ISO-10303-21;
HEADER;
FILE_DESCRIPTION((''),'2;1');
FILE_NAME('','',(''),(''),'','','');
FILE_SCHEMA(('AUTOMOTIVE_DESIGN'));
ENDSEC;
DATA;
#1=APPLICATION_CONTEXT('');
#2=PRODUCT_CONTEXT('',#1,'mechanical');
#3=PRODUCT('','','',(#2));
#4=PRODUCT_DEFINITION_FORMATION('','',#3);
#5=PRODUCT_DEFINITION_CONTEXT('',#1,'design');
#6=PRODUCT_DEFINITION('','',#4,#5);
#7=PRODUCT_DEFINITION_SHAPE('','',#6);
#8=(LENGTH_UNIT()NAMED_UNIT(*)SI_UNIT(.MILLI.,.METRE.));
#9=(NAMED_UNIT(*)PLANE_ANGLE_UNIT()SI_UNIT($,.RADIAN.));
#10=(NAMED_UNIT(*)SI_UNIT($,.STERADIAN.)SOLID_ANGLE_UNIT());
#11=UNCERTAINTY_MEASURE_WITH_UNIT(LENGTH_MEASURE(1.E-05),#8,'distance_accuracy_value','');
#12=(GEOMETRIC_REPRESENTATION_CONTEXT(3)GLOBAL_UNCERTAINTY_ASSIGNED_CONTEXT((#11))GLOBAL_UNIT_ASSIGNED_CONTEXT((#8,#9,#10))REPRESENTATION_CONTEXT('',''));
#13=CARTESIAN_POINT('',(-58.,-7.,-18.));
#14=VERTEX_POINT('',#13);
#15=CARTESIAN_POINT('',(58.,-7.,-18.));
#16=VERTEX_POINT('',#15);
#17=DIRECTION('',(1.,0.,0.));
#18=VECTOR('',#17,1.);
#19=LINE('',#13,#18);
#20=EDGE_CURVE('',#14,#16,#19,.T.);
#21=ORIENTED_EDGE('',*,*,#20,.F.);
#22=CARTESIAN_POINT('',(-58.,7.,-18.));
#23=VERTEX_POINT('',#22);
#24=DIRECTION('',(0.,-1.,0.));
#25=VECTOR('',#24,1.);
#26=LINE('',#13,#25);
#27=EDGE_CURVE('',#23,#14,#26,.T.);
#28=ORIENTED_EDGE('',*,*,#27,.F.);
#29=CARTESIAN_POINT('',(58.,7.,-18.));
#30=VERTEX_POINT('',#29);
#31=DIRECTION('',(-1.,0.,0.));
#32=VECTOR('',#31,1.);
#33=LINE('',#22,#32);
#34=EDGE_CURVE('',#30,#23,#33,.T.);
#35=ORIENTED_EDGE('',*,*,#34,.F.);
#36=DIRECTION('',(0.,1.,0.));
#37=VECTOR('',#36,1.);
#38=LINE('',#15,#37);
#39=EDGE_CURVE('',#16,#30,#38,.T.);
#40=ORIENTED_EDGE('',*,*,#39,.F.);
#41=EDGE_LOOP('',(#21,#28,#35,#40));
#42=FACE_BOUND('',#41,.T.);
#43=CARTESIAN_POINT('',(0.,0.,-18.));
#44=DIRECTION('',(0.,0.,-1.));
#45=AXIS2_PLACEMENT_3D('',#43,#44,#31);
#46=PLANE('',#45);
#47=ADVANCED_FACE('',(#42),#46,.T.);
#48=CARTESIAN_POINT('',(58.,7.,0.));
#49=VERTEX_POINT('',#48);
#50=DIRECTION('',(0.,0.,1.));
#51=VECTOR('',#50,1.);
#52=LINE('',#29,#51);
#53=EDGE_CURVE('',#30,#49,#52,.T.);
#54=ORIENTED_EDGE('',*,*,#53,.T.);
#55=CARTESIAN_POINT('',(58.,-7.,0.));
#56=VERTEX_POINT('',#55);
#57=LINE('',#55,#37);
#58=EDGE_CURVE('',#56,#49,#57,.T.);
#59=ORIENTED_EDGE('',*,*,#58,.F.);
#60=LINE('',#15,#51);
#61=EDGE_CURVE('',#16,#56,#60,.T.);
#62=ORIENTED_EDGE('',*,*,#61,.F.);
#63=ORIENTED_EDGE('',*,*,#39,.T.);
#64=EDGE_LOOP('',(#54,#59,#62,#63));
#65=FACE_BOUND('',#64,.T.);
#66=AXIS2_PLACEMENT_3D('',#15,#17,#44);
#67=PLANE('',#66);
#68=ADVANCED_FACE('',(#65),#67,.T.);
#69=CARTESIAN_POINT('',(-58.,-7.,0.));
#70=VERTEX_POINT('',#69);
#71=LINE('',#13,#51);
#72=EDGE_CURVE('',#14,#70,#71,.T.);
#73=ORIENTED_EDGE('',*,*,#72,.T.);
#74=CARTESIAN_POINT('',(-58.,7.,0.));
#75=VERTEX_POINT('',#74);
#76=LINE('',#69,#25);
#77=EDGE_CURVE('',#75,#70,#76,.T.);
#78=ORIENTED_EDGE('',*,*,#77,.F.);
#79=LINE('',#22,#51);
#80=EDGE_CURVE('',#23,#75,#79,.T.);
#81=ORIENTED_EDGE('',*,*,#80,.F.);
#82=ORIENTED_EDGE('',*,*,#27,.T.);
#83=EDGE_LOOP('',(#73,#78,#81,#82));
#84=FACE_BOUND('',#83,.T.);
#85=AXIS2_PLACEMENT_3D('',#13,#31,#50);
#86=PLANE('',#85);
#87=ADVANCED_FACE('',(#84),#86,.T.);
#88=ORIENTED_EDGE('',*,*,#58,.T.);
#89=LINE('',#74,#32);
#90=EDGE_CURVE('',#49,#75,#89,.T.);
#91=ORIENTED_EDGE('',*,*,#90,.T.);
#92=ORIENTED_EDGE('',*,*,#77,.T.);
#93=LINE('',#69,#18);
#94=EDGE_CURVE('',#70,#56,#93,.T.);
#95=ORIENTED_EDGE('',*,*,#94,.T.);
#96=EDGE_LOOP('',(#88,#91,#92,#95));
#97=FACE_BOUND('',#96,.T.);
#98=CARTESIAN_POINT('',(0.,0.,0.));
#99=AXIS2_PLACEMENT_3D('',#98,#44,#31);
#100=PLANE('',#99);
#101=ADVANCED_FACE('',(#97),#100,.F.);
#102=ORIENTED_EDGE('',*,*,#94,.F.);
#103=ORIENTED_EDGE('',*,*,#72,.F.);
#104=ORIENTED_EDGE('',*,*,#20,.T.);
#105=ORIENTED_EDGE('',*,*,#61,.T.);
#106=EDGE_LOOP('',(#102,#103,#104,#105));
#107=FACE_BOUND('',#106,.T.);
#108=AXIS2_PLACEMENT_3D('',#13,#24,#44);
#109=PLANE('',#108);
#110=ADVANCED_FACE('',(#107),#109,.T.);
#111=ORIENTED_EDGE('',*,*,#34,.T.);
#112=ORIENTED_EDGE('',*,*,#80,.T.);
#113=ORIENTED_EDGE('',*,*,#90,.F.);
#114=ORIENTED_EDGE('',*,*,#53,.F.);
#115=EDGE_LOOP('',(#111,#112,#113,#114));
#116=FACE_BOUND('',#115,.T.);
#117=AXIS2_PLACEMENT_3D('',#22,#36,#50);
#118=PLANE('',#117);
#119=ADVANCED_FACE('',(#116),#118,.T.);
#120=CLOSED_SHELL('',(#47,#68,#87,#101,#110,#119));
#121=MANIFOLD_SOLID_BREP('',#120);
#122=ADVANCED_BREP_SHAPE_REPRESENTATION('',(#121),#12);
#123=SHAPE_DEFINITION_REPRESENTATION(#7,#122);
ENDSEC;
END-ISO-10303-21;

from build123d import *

# Parameters (mm, degrees)
SKETCH_1_W      = 116
SKETCH_1_H      = 14
EXTRUDE_1_DEPTH = 18


with BuildPart() as part:
    # 草图1 → 凸台-拉伸1 (new body)
    with BuildSketch(Plane.XY):
        Rectangle(SKETCH_1_W, SKETCH_1_H)
    extrude(amount=-EXTRUDE_1_DEPTH)


solid = part.part
